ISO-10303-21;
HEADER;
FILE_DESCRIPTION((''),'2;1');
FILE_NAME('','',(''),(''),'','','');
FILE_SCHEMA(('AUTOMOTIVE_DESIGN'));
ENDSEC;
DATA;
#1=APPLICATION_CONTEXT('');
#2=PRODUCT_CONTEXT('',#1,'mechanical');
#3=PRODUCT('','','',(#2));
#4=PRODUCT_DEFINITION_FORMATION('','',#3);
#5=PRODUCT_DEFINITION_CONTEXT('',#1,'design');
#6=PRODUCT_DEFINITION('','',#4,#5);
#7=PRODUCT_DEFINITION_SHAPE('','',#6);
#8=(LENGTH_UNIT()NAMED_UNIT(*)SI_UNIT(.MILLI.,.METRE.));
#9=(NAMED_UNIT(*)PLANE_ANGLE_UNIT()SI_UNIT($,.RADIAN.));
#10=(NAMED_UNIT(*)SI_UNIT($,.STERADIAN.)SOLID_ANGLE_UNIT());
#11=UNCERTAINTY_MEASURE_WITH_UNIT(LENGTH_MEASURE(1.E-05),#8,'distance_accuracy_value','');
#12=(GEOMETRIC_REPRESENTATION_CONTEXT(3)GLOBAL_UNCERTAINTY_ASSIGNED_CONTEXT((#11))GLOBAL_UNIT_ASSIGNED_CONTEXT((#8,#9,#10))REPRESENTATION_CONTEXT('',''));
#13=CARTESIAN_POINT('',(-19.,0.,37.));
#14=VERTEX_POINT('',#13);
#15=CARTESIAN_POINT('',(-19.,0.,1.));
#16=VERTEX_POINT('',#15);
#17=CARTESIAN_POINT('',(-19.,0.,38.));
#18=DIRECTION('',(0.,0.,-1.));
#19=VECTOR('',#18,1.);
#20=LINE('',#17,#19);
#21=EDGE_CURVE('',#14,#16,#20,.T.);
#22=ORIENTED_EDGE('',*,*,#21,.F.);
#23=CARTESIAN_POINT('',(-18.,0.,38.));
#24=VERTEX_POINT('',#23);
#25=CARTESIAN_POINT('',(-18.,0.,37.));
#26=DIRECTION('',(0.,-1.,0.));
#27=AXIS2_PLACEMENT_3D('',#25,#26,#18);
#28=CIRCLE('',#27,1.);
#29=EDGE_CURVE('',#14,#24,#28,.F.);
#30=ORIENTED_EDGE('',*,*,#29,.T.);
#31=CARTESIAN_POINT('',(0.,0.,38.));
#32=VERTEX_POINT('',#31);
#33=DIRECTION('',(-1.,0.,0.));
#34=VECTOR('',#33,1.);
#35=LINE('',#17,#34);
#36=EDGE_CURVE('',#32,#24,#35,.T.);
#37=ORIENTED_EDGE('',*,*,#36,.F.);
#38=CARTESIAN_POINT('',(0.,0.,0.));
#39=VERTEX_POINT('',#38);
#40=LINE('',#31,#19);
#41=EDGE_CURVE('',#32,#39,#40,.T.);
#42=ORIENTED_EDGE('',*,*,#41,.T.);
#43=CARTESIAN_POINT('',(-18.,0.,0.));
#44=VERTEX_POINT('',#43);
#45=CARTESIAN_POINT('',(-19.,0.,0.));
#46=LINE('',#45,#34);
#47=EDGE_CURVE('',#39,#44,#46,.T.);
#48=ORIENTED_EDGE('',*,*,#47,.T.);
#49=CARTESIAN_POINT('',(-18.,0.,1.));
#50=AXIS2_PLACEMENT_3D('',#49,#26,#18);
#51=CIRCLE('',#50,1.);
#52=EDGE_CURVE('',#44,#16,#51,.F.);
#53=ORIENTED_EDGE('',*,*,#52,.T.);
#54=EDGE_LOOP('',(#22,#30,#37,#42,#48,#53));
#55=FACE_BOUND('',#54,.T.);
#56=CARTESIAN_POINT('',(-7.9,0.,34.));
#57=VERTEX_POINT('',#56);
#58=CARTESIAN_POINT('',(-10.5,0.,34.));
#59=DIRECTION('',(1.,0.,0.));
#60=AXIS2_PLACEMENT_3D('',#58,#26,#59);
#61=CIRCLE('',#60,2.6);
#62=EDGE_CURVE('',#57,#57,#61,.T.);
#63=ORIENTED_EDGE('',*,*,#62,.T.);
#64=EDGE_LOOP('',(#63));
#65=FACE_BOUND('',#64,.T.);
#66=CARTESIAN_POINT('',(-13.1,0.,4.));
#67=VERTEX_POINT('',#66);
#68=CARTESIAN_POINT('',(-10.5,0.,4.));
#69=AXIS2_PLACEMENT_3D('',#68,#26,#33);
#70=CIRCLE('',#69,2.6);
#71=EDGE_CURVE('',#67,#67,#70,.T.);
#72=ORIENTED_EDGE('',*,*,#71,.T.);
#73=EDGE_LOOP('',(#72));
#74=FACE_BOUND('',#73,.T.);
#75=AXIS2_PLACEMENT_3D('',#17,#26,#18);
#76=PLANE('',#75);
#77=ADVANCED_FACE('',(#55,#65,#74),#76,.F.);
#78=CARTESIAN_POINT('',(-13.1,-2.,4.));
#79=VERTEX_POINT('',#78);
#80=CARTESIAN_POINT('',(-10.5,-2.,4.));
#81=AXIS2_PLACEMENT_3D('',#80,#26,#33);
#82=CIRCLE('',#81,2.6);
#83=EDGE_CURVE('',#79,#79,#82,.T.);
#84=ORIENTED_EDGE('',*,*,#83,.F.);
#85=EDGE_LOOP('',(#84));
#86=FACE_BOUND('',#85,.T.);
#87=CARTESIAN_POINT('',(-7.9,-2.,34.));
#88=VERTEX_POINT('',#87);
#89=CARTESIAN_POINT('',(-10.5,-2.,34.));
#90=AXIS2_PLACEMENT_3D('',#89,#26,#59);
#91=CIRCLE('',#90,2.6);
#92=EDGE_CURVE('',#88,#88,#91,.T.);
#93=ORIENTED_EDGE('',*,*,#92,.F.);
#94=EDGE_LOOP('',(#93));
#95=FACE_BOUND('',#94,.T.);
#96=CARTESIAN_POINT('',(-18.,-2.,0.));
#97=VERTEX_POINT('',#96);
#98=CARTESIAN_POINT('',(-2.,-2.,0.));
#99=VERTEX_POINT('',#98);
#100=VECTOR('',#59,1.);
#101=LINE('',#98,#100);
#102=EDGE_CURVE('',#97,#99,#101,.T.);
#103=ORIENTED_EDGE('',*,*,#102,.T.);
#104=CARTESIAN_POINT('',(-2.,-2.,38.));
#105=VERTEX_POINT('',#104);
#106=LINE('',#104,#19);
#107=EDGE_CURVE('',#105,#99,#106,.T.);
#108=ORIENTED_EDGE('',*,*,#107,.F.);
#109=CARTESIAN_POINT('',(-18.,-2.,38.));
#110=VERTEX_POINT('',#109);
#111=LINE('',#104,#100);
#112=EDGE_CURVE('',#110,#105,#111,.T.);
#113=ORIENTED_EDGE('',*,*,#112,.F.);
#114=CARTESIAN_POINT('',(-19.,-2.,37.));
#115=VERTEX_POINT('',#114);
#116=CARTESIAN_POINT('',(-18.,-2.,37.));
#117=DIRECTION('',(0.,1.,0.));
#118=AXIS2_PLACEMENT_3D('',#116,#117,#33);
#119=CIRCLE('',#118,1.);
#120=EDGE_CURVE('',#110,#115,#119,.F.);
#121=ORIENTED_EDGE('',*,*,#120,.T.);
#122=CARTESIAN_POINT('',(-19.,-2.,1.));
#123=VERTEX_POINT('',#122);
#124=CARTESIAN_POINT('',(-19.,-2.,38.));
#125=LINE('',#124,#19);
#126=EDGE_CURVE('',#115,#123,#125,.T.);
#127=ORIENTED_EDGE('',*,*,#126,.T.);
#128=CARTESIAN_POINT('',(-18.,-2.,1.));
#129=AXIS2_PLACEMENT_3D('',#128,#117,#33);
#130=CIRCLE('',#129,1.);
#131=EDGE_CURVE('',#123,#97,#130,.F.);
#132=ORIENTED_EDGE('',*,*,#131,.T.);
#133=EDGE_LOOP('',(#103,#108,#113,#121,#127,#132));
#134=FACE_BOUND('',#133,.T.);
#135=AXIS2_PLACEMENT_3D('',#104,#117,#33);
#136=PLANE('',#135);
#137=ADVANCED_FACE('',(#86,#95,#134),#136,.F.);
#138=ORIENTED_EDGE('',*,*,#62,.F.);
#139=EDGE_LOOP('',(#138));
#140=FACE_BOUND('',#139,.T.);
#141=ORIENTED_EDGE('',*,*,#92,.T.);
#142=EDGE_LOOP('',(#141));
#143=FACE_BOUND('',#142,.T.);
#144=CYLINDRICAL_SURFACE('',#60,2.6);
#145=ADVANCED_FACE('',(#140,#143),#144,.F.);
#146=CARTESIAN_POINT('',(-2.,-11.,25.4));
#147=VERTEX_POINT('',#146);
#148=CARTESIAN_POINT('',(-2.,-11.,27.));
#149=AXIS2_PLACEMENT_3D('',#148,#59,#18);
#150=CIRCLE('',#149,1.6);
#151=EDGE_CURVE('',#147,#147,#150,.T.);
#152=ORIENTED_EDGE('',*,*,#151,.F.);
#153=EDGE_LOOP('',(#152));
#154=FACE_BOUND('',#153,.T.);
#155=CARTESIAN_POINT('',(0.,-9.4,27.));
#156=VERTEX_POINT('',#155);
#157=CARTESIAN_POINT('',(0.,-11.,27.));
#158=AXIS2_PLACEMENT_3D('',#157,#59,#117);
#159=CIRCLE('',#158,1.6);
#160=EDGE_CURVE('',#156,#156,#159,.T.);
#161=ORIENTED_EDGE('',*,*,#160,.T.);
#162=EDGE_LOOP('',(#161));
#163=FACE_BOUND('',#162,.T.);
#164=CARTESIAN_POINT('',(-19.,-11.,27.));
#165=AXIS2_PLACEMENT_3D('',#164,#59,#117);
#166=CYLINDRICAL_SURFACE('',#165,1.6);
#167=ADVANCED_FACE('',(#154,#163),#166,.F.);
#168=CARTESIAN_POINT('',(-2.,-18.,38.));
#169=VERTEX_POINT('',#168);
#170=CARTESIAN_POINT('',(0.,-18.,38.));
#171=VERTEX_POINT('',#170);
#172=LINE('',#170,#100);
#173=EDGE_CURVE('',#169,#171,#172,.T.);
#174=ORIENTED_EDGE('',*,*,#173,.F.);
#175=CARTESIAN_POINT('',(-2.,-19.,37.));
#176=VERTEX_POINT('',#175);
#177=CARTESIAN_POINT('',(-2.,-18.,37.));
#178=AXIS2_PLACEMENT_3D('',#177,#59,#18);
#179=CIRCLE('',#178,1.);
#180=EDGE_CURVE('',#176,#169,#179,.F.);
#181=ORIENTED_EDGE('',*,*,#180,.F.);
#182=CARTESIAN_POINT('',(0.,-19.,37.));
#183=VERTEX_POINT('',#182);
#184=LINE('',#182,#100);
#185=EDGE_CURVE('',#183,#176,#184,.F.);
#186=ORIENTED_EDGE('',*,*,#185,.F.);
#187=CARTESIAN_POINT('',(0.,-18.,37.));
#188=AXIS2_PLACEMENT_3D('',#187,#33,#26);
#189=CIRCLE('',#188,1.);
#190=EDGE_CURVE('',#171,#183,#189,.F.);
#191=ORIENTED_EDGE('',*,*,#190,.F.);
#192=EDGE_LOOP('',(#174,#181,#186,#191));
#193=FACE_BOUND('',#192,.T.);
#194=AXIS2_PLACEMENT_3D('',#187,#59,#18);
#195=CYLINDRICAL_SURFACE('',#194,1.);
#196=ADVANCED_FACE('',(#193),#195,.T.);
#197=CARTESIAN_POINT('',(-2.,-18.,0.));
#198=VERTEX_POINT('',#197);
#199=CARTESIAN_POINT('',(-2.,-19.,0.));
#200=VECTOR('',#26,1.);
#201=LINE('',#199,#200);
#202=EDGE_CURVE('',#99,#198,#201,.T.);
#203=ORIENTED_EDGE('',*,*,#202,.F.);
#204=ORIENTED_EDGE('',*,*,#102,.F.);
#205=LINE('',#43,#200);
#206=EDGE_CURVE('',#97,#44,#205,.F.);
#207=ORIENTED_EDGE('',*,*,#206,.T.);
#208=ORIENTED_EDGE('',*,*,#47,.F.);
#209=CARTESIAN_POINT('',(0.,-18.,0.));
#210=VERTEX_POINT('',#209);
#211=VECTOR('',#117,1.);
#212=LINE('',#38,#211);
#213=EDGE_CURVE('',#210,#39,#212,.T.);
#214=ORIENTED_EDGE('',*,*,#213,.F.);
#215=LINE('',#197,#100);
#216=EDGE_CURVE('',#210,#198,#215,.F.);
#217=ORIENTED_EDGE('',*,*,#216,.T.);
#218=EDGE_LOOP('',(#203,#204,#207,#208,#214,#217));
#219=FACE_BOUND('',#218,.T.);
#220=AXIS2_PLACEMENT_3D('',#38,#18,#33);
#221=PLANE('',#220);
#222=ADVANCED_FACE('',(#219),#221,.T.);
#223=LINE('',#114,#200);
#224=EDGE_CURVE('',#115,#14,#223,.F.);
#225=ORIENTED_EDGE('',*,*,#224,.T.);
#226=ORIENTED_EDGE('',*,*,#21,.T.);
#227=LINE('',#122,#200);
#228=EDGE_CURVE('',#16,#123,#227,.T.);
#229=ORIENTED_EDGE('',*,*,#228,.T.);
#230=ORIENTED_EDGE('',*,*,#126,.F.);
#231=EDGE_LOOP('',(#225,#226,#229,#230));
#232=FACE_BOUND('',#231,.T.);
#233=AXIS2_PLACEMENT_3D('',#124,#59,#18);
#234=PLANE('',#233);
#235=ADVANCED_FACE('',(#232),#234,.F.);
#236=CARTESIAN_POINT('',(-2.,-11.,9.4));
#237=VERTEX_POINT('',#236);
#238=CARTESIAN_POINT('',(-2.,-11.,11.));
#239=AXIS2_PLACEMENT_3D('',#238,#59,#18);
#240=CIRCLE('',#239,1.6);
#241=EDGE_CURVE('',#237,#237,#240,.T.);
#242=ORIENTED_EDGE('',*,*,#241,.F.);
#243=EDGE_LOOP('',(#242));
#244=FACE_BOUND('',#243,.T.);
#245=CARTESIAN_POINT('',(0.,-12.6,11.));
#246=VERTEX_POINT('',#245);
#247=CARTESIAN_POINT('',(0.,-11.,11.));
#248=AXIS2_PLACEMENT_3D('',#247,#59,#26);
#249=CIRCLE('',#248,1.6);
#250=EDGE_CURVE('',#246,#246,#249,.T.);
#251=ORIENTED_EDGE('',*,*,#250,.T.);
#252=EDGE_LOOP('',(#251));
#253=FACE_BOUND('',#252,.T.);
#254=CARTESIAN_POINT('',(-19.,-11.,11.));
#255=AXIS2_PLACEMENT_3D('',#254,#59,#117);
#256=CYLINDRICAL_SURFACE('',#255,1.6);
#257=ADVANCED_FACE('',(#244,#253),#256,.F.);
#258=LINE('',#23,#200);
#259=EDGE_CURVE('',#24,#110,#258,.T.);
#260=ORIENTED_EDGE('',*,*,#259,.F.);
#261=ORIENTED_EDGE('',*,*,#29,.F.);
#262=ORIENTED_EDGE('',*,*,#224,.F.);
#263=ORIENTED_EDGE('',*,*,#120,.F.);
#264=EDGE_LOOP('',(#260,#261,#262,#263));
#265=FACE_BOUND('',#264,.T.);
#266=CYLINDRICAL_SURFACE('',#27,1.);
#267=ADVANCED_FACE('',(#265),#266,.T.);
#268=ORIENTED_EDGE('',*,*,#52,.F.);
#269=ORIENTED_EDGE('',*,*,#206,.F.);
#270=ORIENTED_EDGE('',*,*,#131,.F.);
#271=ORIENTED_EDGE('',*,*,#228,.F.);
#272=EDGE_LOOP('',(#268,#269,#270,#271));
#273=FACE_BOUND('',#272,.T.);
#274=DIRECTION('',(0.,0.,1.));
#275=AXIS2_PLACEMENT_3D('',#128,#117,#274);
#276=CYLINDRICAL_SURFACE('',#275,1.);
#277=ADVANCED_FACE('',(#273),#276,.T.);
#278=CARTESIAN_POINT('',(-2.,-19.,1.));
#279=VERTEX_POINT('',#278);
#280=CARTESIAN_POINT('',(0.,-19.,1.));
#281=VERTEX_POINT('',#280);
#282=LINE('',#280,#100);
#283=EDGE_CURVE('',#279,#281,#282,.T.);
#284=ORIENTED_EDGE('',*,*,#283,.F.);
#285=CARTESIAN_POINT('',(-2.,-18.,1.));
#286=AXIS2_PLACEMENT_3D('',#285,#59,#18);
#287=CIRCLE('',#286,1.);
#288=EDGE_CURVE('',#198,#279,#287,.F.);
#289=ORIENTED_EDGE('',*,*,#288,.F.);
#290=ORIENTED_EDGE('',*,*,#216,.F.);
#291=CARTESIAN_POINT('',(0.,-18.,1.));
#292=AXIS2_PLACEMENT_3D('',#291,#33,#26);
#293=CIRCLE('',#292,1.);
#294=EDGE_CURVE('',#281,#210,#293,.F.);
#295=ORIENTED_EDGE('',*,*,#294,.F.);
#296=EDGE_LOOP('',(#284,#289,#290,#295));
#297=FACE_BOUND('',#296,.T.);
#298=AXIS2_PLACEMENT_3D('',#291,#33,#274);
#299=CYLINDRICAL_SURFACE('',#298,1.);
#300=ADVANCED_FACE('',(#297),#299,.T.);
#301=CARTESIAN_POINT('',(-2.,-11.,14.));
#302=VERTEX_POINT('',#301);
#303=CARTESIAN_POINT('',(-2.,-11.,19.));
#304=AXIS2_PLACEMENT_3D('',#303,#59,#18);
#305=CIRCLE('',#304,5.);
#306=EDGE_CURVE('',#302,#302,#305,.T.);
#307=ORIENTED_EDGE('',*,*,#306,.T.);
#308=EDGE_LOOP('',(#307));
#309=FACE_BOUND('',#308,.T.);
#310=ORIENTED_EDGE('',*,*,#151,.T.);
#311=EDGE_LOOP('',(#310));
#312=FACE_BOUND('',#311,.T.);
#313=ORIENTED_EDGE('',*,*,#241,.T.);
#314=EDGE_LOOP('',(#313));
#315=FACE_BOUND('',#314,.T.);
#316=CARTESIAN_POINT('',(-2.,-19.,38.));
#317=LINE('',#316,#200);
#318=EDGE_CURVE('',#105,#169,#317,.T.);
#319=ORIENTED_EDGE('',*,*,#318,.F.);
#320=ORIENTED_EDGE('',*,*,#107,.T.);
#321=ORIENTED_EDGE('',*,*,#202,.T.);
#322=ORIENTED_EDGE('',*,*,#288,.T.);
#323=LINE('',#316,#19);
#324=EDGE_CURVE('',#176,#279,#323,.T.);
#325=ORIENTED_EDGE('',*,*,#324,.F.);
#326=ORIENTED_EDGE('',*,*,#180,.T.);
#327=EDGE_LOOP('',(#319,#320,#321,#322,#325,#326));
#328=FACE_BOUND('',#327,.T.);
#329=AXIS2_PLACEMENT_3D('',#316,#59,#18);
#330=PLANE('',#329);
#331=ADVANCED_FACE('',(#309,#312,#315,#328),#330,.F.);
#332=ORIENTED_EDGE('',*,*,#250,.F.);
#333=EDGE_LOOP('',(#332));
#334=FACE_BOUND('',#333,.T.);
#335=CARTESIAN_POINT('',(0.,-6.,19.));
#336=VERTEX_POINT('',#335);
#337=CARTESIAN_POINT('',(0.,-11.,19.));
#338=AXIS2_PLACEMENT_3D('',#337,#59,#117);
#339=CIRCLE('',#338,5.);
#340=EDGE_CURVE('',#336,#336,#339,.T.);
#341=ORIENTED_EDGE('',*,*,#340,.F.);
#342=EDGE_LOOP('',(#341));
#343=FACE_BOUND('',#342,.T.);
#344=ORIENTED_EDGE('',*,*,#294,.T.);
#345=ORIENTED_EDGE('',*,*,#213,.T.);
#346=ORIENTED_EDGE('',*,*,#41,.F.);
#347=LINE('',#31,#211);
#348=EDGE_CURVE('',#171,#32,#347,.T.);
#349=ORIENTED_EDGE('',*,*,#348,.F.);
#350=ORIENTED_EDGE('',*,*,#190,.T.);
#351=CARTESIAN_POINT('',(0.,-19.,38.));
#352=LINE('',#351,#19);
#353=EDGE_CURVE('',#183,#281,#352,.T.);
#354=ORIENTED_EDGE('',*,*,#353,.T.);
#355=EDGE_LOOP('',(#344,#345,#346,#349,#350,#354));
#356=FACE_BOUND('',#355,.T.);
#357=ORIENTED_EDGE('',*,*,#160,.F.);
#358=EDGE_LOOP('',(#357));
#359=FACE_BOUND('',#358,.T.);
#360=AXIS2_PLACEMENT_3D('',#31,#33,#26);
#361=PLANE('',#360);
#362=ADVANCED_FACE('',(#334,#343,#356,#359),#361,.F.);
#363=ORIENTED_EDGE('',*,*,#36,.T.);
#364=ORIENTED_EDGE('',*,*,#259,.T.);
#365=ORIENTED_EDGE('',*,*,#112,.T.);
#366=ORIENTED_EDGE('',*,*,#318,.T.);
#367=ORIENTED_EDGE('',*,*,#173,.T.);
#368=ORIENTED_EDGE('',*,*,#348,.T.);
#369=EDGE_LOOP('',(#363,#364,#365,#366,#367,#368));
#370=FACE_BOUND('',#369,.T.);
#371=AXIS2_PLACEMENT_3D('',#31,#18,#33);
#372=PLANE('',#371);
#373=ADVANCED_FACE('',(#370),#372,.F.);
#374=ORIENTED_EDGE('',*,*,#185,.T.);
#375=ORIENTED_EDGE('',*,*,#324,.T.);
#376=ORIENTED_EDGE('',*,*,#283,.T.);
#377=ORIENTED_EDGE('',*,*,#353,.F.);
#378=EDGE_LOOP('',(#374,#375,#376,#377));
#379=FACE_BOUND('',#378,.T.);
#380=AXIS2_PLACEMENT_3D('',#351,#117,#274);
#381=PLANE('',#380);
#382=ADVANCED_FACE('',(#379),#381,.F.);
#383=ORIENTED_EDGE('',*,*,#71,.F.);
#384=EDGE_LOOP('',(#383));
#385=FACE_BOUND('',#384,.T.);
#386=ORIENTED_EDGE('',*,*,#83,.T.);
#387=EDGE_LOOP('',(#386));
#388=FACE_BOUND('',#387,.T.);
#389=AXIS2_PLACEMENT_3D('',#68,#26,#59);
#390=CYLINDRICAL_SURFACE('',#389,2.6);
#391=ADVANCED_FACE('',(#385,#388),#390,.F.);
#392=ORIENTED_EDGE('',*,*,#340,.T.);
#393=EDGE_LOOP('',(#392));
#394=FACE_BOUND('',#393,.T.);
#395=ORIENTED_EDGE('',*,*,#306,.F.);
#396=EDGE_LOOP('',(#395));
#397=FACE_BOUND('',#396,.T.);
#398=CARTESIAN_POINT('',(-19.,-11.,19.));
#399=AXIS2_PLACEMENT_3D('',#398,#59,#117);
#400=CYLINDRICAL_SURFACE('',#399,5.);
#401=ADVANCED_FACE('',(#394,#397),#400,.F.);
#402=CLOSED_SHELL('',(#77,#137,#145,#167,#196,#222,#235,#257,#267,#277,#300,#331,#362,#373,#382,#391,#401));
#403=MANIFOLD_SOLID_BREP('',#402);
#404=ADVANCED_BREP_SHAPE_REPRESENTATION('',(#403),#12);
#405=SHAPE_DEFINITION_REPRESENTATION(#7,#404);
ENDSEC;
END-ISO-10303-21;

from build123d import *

# Parameters (mm, degrees)
BOSS_EXTRUDE1_DEPTH = 38
SKETCH2_R           = 5
SKETCH2_R_2         = 1.6
CUT_EXTRUDE1_DEPTH  = 47.540305113
SKETCH3_R           = 2.6
CUT_EXTRUDE2_DEPTH  = 46.760244755
FILLET1_R           = 1


with BuildPart() as part:
    # Sketch1 → Boss-Extrude1 (new body)
    with BuildSketch(Plane.XY):
        Polygon((0, 0), (0, -19), (-2, -19), (-2, -2), (-19, -2), (-19, 0), align=None)
    extrude(amount=BOSS_EXTRUDE1_DEPTH)

    # Sketch2 → Cut-Extrude1 (cut, through all)
    with BuildSketch(Plane(origin=(0, 0, 0), x_dir=(0, 0, -1), z_dir=(1, 0, 0))):
        with Locations(Location((-19, -11, 0), (0, 0, 90))):
            Circle(SKETCH2_R)
        with Locations(Location((-27, -11, 0), (0, 0, 90))):
            Circle(SKETCH2_R_2)
        with Locations((-11, -11)):
            Circle(SKETCH2_R_2)
    extrude(amount=-CUT_EXTRUDE1_DEPTH, mode=Mode.SUBTRACT)

    # Sketch3 → Cut-Extrude2 (cut, through all)
    with BuildSketch(Plane.XZ.offset(2)):
        with Locations((-10.5, 34)):
            Circle(SKETCH3_R)
        with Locations(Location((-10.5, 4, 0), (0, 0, 180))):
            Circle(SKETCH3_R)
    extrude(amount=-CUT_EXTRUDE2_DEPTH, mode=Mode.SUBTRACT)

    # Fillet1
    fillet1_edges = [part.edges().sort_by_distance(p)[0] for p in [
        (-1, -19, 38),
        (-1, -19, 0),
        (-19, -1, 38),
        (-19, -1, 0),
    ]]
    fillet(fillet1_edges, radius=FILLET1_R)


solid = part.part
